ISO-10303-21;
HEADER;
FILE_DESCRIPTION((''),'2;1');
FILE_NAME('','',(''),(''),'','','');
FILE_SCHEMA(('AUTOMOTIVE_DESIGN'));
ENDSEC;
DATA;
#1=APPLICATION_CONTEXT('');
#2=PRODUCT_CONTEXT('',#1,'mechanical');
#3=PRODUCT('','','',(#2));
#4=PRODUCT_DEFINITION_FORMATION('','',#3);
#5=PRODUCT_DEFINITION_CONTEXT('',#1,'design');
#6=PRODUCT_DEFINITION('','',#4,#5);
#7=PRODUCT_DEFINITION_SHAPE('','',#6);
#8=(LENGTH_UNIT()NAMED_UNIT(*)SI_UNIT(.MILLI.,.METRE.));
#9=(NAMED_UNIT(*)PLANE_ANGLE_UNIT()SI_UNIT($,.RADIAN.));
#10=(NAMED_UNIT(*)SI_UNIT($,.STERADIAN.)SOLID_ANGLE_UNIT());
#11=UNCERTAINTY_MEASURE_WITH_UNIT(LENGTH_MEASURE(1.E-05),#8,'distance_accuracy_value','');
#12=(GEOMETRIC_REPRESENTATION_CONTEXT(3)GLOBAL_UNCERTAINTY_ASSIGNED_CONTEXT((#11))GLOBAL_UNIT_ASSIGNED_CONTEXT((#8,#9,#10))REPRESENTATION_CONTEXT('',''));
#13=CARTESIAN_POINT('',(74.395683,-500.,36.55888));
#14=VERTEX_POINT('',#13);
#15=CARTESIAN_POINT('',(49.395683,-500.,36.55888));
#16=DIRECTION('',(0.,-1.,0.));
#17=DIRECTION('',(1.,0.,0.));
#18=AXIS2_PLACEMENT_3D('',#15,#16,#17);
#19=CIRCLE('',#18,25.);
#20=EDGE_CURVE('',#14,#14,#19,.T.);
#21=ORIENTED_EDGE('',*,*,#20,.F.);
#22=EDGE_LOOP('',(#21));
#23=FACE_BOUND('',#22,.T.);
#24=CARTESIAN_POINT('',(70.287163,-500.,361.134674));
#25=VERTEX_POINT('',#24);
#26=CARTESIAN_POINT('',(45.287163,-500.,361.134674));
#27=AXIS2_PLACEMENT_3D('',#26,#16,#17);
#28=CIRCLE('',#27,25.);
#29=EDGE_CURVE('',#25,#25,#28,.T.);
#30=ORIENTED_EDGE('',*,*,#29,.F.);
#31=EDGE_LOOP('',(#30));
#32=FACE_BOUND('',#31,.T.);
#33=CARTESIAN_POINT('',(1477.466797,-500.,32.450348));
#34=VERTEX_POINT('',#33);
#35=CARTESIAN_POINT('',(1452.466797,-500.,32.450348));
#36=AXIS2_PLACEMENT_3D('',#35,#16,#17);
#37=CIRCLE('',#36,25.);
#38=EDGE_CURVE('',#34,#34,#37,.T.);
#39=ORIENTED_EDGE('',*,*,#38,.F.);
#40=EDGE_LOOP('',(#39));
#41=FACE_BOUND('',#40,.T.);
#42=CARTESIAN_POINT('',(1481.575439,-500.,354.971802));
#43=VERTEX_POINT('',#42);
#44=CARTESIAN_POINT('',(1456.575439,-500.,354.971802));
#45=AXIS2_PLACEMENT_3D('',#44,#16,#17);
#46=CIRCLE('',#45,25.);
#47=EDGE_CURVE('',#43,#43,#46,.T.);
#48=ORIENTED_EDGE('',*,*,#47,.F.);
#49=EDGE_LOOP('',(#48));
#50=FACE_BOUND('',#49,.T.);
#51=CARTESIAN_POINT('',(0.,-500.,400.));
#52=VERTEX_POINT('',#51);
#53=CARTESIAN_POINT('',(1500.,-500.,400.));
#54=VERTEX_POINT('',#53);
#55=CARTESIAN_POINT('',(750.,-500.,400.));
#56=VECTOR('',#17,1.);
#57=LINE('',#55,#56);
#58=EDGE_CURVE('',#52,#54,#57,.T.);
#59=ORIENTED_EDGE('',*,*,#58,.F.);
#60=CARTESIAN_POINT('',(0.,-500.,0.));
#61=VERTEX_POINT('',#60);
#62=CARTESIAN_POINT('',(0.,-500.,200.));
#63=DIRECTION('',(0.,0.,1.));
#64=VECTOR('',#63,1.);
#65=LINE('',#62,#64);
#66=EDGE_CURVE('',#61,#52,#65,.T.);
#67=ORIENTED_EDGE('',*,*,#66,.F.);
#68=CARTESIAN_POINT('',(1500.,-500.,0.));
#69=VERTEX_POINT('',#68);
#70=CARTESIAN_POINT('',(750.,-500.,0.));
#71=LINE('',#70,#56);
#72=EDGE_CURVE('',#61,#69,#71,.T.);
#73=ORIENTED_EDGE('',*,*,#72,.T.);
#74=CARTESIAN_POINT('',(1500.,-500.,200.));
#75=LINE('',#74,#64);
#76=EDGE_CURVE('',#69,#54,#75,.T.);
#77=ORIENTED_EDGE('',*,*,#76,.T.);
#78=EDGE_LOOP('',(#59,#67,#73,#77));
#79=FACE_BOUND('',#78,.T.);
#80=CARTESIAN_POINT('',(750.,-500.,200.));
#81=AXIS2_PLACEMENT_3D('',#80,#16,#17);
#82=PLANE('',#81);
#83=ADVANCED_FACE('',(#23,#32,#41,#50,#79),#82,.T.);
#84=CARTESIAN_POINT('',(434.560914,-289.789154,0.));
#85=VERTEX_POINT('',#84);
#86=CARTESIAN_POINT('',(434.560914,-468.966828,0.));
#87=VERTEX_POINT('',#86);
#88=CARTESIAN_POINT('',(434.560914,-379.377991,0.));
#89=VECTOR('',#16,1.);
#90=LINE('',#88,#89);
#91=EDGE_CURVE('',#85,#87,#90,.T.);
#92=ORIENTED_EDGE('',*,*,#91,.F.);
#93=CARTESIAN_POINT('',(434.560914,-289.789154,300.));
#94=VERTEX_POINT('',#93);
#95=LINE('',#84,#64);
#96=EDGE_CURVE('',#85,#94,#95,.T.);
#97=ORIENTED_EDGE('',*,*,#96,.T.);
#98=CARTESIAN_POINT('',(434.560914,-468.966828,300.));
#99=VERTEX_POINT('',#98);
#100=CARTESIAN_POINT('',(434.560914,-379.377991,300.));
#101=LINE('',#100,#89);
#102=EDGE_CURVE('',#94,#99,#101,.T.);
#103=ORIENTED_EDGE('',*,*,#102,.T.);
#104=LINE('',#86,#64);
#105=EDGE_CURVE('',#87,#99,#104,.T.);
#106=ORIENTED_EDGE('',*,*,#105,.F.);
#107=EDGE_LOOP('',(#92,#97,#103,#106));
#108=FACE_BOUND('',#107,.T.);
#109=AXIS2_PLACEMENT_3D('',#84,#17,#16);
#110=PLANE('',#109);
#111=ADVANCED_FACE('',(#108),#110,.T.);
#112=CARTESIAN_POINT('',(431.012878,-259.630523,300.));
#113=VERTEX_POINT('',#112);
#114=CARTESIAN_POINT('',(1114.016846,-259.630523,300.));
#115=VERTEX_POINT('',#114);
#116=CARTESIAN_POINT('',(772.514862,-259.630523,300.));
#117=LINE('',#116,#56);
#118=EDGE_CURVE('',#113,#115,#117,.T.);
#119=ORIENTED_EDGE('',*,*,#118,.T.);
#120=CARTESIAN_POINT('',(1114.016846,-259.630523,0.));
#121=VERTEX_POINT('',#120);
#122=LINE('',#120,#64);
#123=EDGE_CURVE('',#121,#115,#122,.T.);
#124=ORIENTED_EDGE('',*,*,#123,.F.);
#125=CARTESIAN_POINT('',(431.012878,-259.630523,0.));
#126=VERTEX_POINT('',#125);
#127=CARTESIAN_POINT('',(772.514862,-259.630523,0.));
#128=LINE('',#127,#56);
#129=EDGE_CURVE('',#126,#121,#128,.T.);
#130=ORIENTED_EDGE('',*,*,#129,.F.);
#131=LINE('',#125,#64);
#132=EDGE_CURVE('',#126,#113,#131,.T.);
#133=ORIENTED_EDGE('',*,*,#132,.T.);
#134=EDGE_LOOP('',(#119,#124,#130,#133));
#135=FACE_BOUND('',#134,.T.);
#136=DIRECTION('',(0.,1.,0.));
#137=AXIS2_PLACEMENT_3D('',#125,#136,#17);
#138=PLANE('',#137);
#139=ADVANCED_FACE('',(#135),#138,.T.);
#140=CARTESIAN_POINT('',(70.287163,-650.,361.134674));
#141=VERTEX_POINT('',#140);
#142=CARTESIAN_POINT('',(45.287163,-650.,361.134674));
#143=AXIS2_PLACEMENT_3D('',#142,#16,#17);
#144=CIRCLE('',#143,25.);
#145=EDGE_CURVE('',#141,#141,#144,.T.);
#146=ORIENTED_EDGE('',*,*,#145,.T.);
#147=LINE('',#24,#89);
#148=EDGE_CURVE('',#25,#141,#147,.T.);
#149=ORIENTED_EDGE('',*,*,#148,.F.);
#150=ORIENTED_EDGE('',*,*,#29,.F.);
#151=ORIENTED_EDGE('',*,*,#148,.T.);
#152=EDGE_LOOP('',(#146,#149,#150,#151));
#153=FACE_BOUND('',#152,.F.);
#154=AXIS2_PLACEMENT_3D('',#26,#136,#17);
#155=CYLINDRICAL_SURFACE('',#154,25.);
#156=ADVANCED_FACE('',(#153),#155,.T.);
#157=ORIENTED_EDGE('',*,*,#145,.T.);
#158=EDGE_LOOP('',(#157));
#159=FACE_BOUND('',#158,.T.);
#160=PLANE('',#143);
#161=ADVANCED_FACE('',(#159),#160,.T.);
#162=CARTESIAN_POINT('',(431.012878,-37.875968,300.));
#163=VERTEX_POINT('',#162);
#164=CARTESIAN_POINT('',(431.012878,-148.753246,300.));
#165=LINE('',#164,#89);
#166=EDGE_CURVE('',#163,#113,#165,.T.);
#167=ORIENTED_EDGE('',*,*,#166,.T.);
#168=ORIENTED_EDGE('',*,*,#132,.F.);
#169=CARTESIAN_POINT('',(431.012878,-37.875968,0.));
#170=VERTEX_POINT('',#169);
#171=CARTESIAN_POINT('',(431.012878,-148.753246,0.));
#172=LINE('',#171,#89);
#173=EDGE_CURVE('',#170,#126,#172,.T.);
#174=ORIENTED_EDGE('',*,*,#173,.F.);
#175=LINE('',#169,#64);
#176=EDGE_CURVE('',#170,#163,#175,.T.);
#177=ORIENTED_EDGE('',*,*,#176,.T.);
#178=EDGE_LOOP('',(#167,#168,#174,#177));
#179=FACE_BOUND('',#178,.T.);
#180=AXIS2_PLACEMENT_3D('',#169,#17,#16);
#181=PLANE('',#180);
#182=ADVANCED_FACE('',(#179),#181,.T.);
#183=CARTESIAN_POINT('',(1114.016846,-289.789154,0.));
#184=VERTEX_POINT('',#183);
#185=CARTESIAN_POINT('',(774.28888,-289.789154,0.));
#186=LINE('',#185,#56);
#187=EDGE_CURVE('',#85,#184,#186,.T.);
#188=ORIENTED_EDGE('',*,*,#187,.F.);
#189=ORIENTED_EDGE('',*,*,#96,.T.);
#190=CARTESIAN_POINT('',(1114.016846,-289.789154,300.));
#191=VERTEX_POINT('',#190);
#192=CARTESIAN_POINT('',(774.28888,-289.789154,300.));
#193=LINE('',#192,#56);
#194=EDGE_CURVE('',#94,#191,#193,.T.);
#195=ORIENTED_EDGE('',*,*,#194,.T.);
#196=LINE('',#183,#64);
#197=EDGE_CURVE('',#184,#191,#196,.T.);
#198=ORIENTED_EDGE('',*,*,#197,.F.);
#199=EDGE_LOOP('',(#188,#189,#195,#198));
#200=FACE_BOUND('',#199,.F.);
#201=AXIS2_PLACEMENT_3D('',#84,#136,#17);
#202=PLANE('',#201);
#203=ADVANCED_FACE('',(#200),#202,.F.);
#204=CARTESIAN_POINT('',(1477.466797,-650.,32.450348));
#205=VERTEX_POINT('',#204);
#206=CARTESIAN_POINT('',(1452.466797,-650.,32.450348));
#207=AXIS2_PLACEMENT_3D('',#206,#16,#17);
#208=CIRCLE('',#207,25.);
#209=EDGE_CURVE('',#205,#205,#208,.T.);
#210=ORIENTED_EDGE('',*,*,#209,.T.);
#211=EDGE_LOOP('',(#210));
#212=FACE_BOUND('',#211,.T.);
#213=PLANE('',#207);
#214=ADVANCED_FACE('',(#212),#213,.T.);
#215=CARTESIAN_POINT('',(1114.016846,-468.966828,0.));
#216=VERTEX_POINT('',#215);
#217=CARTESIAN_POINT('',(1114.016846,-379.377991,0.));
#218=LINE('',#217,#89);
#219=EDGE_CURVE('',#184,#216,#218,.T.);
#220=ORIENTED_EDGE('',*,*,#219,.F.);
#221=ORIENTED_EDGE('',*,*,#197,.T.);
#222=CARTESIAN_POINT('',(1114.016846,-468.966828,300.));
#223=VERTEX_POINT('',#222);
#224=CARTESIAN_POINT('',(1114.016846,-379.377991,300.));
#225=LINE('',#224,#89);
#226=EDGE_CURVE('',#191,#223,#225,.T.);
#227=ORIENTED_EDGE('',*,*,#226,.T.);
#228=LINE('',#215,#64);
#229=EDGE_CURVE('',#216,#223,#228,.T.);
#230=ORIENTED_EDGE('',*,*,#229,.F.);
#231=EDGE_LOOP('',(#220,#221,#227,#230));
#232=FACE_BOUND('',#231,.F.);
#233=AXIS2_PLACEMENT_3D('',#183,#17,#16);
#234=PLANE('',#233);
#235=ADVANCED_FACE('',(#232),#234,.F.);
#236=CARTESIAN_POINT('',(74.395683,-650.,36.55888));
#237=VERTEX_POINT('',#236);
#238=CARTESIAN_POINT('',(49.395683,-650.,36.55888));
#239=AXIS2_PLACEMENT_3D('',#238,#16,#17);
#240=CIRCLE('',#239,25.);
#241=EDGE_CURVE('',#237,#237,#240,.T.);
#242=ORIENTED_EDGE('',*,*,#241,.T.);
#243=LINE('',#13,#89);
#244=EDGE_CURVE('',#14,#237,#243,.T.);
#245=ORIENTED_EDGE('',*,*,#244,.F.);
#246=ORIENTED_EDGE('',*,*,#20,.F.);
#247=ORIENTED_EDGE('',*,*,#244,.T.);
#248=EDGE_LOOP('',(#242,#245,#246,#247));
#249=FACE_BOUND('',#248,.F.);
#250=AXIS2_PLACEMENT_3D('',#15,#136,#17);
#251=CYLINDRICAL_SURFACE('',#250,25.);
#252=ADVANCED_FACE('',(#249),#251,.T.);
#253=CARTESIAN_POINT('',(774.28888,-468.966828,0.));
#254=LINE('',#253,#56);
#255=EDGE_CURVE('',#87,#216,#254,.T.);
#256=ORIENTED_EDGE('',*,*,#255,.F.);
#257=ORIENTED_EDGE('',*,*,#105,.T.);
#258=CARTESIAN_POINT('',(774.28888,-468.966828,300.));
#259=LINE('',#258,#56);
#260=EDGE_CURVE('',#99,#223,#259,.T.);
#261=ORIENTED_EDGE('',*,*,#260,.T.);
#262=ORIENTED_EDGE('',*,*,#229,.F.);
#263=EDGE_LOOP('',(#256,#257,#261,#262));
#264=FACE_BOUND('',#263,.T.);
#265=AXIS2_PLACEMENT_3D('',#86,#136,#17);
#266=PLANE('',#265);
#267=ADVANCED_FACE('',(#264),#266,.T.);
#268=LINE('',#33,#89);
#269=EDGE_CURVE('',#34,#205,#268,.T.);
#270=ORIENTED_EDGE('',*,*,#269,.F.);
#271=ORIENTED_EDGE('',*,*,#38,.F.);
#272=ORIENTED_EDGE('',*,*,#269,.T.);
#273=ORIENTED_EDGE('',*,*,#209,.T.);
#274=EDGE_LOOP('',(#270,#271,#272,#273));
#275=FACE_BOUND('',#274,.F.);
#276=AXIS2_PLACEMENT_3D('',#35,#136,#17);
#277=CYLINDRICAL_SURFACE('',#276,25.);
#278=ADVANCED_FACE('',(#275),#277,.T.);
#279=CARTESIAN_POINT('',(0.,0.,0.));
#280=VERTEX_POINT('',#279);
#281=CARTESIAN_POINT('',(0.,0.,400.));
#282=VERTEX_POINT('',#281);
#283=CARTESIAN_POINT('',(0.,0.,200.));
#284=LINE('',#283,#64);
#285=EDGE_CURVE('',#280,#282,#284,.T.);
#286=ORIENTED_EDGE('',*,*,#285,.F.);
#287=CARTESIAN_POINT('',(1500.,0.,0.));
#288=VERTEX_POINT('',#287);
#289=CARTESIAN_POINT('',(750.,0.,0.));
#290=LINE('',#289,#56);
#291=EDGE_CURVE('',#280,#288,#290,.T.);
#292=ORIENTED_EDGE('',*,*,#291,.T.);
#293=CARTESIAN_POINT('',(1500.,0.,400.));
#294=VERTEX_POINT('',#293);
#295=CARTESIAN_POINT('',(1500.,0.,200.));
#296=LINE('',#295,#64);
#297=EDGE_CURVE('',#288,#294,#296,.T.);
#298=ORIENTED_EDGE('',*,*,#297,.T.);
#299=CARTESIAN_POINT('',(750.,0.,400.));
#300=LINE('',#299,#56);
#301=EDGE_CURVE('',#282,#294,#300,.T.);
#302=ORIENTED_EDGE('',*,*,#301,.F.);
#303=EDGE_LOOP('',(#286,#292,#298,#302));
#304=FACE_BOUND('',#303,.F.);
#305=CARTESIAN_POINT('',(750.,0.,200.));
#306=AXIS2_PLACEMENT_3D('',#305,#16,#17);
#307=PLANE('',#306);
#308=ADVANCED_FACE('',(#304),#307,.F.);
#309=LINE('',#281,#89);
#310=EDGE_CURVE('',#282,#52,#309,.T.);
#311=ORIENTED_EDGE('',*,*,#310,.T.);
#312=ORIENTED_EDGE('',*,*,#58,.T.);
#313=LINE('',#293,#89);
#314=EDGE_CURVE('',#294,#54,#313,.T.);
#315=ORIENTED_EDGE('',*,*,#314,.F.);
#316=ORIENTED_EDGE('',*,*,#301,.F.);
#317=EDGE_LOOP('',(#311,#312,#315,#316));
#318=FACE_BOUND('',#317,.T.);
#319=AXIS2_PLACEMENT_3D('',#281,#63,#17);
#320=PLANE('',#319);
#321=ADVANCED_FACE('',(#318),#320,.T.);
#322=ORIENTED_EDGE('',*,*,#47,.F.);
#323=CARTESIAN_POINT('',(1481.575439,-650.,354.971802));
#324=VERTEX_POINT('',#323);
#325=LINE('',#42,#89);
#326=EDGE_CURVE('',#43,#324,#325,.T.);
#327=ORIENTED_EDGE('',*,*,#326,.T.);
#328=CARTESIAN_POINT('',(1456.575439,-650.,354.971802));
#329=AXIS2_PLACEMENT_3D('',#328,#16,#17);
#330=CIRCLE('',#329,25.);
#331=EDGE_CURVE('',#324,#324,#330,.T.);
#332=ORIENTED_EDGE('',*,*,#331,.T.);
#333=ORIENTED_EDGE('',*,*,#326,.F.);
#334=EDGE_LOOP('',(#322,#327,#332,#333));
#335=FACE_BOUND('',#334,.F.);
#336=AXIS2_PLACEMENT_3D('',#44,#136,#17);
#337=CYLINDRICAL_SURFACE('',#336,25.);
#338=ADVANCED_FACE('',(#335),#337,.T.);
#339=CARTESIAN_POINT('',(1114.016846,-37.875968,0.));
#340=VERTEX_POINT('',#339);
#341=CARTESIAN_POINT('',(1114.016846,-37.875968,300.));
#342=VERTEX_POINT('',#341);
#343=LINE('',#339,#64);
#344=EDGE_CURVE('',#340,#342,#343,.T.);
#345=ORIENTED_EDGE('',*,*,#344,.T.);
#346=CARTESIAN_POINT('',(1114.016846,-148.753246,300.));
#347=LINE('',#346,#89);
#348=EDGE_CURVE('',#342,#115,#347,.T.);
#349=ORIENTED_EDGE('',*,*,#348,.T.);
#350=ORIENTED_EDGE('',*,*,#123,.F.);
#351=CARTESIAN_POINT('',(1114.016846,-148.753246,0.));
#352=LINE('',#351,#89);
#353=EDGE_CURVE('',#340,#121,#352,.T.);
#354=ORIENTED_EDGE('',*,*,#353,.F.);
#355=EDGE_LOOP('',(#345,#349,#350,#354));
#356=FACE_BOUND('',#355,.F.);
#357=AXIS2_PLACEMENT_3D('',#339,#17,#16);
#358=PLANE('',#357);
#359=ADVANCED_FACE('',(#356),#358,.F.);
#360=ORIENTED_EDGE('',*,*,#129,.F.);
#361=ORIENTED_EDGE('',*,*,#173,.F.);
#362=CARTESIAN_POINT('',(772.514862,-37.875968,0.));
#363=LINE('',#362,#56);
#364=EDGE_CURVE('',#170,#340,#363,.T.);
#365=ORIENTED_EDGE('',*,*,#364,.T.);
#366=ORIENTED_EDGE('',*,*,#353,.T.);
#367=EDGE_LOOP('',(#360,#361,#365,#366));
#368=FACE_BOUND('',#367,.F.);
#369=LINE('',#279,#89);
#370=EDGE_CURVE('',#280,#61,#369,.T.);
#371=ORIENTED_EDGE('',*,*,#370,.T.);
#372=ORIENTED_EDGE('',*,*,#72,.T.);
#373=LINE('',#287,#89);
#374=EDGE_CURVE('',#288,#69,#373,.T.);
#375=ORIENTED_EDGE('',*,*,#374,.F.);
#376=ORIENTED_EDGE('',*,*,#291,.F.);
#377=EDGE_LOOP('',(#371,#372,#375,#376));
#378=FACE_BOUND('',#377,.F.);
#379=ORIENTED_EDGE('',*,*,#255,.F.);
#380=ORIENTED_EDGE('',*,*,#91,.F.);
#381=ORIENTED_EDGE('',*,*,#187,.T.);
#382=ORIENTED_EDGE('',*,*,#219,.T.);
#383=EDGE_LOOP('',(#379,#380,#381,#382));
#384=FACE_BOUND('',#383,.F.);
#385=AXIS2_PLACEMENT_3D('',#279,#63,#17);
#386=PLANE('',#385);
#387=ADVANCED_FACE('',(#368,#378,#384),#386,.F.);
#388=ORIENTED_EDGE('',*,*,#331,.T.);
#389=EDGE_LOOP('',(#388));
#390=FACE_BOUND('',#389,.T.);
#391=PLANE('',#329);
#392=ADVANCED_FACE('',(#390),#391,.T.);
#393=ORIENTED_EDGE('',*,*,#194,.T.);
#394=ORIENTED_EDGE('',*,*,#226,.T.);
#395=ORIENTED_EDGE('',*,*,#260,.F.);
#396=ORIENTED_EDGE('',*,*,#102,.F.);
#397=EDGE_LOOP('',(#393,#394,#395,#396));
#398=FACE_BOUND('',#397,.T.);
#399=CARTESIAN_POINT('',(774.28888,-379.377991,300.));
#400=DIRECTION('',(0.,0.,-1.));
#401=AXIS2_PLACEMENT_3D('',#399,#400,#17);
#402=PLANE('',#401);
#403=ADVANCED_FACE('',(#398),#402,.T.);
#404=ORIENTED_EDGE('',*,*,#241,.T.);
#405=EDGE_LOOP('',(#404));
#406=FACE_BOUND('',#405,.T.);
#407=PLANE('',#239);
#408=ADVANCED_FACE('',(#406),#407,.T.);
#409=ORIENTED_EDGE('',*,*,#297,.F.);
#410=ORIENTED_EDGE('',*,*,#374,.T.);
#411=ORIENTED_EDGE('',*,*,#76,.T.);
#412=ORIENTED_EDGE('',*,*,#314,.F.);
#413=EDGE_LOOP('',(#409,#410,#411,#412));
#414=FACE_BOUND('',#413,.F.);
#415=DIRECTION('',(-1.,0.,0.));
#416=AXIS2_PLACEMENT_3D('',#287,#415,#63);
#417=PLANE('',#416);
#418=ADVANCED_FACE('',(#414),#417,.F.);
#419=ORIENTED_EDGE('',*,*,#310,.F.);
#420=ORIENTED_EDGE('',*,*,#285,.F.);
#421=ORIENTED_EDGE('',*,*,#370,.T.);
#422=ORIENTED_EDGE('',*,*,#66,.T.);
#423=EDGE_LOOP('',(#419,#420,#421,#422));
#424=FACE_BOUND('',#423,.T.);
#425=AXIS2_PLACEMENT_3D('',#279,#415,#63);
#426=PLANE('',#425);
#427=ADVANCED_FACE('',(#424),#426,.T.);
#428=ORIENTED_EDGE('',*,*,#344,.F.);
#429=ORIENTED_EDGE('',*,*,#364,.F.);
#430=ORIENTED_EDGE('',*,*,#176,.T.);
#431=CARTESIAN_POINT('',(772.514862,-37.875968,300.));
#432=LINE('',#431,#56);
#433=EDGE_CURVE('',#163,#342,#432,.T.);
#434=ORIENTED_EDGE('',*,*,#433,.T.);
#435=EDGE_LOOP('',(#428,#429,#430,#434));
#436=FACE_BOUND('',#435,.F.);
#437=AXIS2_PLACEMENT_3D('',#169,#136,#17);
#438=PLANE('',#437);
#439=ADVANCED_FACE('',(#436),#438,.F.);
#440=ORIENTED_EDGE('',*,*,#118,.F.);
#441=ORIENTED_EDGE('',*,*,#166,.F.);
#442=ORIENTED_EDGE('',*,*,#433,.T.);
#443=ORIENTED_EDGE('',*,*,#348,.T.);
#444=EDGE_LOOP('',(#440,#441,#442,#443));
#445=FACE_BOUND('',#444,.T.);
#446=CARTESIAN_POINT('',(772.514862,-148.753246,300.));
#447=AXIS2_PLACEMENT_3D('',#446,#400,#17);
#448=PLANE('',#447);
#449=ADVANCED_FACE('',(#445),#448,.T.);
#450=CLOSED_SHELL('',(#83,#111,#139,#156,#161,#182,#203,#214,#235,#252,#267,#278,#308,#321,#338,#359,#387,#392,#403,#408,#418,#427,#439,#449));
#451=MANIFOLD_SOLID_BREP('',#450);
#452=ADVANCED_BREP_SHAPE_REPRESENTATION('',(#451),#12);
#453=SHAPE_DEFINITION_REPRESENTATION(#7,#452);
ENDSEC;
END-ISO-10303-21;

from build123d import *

# Parameters (mm, degrees)
SKETCH_W      = 1500
SKETCH_H      = 400
PAD_DEPTH     = 500
SKETCH001_R   = 25
PAD001_DEPTH  = 150
SKETCH002_W   = 679.455933
SKETCH002_H   = 179.177673
SKETCH002_W_2 = 683.003968
SKETCH002_H_2 = 221.754555
POCKET_DEPTH  = 300


with BuildPart() as part:
    # Sketch → Pad (new body)
    with BuildSketch(Plane.XZ):
        with Locations((750, 200)):
            Rectangle(SKETCH_W, SKETCH_H)
    extrude(amount=PAD_DEPTH)

    # Sketch001 (on Face6 of Pad) → Pad001 (join)
    with BuildSketch(Plane.XZ.offset(500)):
        with Locations((45.287163, 361.134674)):
            Circle(SKETCH001_R)
        with Locations((49.395683, 36.55888)):
            Circle(SKETCH001_R)
        with Locations((1456.575439, 354.971802)):
            Circle(SKETCH001_R)
        with Locations((1452.466797, 32.450348)):
            Circle(SKETCH001_R)
    extrude(amount=PAD001_DEPTH)

    # Sketch002 (on Face1 of Pad001) → Pocket (cut)
    with BuildSketch(Plane(origin=(0, 0, 0), x_dir=(1, 0, 0), z_dir=(0, 0, -1))):
        with Locations((774.28888, 379.377991)):
            Rectangle(SKETCH002_W, SKETCH002_H)
        with Locations((772.514862, 148.753246)):
            Rectangle(SKETCH002_W_2, SKETCH002_H_2)
    extrude(amount=-POCKET_DEPTH, mode=Mode.SUBTRACT)


solid = part.part
